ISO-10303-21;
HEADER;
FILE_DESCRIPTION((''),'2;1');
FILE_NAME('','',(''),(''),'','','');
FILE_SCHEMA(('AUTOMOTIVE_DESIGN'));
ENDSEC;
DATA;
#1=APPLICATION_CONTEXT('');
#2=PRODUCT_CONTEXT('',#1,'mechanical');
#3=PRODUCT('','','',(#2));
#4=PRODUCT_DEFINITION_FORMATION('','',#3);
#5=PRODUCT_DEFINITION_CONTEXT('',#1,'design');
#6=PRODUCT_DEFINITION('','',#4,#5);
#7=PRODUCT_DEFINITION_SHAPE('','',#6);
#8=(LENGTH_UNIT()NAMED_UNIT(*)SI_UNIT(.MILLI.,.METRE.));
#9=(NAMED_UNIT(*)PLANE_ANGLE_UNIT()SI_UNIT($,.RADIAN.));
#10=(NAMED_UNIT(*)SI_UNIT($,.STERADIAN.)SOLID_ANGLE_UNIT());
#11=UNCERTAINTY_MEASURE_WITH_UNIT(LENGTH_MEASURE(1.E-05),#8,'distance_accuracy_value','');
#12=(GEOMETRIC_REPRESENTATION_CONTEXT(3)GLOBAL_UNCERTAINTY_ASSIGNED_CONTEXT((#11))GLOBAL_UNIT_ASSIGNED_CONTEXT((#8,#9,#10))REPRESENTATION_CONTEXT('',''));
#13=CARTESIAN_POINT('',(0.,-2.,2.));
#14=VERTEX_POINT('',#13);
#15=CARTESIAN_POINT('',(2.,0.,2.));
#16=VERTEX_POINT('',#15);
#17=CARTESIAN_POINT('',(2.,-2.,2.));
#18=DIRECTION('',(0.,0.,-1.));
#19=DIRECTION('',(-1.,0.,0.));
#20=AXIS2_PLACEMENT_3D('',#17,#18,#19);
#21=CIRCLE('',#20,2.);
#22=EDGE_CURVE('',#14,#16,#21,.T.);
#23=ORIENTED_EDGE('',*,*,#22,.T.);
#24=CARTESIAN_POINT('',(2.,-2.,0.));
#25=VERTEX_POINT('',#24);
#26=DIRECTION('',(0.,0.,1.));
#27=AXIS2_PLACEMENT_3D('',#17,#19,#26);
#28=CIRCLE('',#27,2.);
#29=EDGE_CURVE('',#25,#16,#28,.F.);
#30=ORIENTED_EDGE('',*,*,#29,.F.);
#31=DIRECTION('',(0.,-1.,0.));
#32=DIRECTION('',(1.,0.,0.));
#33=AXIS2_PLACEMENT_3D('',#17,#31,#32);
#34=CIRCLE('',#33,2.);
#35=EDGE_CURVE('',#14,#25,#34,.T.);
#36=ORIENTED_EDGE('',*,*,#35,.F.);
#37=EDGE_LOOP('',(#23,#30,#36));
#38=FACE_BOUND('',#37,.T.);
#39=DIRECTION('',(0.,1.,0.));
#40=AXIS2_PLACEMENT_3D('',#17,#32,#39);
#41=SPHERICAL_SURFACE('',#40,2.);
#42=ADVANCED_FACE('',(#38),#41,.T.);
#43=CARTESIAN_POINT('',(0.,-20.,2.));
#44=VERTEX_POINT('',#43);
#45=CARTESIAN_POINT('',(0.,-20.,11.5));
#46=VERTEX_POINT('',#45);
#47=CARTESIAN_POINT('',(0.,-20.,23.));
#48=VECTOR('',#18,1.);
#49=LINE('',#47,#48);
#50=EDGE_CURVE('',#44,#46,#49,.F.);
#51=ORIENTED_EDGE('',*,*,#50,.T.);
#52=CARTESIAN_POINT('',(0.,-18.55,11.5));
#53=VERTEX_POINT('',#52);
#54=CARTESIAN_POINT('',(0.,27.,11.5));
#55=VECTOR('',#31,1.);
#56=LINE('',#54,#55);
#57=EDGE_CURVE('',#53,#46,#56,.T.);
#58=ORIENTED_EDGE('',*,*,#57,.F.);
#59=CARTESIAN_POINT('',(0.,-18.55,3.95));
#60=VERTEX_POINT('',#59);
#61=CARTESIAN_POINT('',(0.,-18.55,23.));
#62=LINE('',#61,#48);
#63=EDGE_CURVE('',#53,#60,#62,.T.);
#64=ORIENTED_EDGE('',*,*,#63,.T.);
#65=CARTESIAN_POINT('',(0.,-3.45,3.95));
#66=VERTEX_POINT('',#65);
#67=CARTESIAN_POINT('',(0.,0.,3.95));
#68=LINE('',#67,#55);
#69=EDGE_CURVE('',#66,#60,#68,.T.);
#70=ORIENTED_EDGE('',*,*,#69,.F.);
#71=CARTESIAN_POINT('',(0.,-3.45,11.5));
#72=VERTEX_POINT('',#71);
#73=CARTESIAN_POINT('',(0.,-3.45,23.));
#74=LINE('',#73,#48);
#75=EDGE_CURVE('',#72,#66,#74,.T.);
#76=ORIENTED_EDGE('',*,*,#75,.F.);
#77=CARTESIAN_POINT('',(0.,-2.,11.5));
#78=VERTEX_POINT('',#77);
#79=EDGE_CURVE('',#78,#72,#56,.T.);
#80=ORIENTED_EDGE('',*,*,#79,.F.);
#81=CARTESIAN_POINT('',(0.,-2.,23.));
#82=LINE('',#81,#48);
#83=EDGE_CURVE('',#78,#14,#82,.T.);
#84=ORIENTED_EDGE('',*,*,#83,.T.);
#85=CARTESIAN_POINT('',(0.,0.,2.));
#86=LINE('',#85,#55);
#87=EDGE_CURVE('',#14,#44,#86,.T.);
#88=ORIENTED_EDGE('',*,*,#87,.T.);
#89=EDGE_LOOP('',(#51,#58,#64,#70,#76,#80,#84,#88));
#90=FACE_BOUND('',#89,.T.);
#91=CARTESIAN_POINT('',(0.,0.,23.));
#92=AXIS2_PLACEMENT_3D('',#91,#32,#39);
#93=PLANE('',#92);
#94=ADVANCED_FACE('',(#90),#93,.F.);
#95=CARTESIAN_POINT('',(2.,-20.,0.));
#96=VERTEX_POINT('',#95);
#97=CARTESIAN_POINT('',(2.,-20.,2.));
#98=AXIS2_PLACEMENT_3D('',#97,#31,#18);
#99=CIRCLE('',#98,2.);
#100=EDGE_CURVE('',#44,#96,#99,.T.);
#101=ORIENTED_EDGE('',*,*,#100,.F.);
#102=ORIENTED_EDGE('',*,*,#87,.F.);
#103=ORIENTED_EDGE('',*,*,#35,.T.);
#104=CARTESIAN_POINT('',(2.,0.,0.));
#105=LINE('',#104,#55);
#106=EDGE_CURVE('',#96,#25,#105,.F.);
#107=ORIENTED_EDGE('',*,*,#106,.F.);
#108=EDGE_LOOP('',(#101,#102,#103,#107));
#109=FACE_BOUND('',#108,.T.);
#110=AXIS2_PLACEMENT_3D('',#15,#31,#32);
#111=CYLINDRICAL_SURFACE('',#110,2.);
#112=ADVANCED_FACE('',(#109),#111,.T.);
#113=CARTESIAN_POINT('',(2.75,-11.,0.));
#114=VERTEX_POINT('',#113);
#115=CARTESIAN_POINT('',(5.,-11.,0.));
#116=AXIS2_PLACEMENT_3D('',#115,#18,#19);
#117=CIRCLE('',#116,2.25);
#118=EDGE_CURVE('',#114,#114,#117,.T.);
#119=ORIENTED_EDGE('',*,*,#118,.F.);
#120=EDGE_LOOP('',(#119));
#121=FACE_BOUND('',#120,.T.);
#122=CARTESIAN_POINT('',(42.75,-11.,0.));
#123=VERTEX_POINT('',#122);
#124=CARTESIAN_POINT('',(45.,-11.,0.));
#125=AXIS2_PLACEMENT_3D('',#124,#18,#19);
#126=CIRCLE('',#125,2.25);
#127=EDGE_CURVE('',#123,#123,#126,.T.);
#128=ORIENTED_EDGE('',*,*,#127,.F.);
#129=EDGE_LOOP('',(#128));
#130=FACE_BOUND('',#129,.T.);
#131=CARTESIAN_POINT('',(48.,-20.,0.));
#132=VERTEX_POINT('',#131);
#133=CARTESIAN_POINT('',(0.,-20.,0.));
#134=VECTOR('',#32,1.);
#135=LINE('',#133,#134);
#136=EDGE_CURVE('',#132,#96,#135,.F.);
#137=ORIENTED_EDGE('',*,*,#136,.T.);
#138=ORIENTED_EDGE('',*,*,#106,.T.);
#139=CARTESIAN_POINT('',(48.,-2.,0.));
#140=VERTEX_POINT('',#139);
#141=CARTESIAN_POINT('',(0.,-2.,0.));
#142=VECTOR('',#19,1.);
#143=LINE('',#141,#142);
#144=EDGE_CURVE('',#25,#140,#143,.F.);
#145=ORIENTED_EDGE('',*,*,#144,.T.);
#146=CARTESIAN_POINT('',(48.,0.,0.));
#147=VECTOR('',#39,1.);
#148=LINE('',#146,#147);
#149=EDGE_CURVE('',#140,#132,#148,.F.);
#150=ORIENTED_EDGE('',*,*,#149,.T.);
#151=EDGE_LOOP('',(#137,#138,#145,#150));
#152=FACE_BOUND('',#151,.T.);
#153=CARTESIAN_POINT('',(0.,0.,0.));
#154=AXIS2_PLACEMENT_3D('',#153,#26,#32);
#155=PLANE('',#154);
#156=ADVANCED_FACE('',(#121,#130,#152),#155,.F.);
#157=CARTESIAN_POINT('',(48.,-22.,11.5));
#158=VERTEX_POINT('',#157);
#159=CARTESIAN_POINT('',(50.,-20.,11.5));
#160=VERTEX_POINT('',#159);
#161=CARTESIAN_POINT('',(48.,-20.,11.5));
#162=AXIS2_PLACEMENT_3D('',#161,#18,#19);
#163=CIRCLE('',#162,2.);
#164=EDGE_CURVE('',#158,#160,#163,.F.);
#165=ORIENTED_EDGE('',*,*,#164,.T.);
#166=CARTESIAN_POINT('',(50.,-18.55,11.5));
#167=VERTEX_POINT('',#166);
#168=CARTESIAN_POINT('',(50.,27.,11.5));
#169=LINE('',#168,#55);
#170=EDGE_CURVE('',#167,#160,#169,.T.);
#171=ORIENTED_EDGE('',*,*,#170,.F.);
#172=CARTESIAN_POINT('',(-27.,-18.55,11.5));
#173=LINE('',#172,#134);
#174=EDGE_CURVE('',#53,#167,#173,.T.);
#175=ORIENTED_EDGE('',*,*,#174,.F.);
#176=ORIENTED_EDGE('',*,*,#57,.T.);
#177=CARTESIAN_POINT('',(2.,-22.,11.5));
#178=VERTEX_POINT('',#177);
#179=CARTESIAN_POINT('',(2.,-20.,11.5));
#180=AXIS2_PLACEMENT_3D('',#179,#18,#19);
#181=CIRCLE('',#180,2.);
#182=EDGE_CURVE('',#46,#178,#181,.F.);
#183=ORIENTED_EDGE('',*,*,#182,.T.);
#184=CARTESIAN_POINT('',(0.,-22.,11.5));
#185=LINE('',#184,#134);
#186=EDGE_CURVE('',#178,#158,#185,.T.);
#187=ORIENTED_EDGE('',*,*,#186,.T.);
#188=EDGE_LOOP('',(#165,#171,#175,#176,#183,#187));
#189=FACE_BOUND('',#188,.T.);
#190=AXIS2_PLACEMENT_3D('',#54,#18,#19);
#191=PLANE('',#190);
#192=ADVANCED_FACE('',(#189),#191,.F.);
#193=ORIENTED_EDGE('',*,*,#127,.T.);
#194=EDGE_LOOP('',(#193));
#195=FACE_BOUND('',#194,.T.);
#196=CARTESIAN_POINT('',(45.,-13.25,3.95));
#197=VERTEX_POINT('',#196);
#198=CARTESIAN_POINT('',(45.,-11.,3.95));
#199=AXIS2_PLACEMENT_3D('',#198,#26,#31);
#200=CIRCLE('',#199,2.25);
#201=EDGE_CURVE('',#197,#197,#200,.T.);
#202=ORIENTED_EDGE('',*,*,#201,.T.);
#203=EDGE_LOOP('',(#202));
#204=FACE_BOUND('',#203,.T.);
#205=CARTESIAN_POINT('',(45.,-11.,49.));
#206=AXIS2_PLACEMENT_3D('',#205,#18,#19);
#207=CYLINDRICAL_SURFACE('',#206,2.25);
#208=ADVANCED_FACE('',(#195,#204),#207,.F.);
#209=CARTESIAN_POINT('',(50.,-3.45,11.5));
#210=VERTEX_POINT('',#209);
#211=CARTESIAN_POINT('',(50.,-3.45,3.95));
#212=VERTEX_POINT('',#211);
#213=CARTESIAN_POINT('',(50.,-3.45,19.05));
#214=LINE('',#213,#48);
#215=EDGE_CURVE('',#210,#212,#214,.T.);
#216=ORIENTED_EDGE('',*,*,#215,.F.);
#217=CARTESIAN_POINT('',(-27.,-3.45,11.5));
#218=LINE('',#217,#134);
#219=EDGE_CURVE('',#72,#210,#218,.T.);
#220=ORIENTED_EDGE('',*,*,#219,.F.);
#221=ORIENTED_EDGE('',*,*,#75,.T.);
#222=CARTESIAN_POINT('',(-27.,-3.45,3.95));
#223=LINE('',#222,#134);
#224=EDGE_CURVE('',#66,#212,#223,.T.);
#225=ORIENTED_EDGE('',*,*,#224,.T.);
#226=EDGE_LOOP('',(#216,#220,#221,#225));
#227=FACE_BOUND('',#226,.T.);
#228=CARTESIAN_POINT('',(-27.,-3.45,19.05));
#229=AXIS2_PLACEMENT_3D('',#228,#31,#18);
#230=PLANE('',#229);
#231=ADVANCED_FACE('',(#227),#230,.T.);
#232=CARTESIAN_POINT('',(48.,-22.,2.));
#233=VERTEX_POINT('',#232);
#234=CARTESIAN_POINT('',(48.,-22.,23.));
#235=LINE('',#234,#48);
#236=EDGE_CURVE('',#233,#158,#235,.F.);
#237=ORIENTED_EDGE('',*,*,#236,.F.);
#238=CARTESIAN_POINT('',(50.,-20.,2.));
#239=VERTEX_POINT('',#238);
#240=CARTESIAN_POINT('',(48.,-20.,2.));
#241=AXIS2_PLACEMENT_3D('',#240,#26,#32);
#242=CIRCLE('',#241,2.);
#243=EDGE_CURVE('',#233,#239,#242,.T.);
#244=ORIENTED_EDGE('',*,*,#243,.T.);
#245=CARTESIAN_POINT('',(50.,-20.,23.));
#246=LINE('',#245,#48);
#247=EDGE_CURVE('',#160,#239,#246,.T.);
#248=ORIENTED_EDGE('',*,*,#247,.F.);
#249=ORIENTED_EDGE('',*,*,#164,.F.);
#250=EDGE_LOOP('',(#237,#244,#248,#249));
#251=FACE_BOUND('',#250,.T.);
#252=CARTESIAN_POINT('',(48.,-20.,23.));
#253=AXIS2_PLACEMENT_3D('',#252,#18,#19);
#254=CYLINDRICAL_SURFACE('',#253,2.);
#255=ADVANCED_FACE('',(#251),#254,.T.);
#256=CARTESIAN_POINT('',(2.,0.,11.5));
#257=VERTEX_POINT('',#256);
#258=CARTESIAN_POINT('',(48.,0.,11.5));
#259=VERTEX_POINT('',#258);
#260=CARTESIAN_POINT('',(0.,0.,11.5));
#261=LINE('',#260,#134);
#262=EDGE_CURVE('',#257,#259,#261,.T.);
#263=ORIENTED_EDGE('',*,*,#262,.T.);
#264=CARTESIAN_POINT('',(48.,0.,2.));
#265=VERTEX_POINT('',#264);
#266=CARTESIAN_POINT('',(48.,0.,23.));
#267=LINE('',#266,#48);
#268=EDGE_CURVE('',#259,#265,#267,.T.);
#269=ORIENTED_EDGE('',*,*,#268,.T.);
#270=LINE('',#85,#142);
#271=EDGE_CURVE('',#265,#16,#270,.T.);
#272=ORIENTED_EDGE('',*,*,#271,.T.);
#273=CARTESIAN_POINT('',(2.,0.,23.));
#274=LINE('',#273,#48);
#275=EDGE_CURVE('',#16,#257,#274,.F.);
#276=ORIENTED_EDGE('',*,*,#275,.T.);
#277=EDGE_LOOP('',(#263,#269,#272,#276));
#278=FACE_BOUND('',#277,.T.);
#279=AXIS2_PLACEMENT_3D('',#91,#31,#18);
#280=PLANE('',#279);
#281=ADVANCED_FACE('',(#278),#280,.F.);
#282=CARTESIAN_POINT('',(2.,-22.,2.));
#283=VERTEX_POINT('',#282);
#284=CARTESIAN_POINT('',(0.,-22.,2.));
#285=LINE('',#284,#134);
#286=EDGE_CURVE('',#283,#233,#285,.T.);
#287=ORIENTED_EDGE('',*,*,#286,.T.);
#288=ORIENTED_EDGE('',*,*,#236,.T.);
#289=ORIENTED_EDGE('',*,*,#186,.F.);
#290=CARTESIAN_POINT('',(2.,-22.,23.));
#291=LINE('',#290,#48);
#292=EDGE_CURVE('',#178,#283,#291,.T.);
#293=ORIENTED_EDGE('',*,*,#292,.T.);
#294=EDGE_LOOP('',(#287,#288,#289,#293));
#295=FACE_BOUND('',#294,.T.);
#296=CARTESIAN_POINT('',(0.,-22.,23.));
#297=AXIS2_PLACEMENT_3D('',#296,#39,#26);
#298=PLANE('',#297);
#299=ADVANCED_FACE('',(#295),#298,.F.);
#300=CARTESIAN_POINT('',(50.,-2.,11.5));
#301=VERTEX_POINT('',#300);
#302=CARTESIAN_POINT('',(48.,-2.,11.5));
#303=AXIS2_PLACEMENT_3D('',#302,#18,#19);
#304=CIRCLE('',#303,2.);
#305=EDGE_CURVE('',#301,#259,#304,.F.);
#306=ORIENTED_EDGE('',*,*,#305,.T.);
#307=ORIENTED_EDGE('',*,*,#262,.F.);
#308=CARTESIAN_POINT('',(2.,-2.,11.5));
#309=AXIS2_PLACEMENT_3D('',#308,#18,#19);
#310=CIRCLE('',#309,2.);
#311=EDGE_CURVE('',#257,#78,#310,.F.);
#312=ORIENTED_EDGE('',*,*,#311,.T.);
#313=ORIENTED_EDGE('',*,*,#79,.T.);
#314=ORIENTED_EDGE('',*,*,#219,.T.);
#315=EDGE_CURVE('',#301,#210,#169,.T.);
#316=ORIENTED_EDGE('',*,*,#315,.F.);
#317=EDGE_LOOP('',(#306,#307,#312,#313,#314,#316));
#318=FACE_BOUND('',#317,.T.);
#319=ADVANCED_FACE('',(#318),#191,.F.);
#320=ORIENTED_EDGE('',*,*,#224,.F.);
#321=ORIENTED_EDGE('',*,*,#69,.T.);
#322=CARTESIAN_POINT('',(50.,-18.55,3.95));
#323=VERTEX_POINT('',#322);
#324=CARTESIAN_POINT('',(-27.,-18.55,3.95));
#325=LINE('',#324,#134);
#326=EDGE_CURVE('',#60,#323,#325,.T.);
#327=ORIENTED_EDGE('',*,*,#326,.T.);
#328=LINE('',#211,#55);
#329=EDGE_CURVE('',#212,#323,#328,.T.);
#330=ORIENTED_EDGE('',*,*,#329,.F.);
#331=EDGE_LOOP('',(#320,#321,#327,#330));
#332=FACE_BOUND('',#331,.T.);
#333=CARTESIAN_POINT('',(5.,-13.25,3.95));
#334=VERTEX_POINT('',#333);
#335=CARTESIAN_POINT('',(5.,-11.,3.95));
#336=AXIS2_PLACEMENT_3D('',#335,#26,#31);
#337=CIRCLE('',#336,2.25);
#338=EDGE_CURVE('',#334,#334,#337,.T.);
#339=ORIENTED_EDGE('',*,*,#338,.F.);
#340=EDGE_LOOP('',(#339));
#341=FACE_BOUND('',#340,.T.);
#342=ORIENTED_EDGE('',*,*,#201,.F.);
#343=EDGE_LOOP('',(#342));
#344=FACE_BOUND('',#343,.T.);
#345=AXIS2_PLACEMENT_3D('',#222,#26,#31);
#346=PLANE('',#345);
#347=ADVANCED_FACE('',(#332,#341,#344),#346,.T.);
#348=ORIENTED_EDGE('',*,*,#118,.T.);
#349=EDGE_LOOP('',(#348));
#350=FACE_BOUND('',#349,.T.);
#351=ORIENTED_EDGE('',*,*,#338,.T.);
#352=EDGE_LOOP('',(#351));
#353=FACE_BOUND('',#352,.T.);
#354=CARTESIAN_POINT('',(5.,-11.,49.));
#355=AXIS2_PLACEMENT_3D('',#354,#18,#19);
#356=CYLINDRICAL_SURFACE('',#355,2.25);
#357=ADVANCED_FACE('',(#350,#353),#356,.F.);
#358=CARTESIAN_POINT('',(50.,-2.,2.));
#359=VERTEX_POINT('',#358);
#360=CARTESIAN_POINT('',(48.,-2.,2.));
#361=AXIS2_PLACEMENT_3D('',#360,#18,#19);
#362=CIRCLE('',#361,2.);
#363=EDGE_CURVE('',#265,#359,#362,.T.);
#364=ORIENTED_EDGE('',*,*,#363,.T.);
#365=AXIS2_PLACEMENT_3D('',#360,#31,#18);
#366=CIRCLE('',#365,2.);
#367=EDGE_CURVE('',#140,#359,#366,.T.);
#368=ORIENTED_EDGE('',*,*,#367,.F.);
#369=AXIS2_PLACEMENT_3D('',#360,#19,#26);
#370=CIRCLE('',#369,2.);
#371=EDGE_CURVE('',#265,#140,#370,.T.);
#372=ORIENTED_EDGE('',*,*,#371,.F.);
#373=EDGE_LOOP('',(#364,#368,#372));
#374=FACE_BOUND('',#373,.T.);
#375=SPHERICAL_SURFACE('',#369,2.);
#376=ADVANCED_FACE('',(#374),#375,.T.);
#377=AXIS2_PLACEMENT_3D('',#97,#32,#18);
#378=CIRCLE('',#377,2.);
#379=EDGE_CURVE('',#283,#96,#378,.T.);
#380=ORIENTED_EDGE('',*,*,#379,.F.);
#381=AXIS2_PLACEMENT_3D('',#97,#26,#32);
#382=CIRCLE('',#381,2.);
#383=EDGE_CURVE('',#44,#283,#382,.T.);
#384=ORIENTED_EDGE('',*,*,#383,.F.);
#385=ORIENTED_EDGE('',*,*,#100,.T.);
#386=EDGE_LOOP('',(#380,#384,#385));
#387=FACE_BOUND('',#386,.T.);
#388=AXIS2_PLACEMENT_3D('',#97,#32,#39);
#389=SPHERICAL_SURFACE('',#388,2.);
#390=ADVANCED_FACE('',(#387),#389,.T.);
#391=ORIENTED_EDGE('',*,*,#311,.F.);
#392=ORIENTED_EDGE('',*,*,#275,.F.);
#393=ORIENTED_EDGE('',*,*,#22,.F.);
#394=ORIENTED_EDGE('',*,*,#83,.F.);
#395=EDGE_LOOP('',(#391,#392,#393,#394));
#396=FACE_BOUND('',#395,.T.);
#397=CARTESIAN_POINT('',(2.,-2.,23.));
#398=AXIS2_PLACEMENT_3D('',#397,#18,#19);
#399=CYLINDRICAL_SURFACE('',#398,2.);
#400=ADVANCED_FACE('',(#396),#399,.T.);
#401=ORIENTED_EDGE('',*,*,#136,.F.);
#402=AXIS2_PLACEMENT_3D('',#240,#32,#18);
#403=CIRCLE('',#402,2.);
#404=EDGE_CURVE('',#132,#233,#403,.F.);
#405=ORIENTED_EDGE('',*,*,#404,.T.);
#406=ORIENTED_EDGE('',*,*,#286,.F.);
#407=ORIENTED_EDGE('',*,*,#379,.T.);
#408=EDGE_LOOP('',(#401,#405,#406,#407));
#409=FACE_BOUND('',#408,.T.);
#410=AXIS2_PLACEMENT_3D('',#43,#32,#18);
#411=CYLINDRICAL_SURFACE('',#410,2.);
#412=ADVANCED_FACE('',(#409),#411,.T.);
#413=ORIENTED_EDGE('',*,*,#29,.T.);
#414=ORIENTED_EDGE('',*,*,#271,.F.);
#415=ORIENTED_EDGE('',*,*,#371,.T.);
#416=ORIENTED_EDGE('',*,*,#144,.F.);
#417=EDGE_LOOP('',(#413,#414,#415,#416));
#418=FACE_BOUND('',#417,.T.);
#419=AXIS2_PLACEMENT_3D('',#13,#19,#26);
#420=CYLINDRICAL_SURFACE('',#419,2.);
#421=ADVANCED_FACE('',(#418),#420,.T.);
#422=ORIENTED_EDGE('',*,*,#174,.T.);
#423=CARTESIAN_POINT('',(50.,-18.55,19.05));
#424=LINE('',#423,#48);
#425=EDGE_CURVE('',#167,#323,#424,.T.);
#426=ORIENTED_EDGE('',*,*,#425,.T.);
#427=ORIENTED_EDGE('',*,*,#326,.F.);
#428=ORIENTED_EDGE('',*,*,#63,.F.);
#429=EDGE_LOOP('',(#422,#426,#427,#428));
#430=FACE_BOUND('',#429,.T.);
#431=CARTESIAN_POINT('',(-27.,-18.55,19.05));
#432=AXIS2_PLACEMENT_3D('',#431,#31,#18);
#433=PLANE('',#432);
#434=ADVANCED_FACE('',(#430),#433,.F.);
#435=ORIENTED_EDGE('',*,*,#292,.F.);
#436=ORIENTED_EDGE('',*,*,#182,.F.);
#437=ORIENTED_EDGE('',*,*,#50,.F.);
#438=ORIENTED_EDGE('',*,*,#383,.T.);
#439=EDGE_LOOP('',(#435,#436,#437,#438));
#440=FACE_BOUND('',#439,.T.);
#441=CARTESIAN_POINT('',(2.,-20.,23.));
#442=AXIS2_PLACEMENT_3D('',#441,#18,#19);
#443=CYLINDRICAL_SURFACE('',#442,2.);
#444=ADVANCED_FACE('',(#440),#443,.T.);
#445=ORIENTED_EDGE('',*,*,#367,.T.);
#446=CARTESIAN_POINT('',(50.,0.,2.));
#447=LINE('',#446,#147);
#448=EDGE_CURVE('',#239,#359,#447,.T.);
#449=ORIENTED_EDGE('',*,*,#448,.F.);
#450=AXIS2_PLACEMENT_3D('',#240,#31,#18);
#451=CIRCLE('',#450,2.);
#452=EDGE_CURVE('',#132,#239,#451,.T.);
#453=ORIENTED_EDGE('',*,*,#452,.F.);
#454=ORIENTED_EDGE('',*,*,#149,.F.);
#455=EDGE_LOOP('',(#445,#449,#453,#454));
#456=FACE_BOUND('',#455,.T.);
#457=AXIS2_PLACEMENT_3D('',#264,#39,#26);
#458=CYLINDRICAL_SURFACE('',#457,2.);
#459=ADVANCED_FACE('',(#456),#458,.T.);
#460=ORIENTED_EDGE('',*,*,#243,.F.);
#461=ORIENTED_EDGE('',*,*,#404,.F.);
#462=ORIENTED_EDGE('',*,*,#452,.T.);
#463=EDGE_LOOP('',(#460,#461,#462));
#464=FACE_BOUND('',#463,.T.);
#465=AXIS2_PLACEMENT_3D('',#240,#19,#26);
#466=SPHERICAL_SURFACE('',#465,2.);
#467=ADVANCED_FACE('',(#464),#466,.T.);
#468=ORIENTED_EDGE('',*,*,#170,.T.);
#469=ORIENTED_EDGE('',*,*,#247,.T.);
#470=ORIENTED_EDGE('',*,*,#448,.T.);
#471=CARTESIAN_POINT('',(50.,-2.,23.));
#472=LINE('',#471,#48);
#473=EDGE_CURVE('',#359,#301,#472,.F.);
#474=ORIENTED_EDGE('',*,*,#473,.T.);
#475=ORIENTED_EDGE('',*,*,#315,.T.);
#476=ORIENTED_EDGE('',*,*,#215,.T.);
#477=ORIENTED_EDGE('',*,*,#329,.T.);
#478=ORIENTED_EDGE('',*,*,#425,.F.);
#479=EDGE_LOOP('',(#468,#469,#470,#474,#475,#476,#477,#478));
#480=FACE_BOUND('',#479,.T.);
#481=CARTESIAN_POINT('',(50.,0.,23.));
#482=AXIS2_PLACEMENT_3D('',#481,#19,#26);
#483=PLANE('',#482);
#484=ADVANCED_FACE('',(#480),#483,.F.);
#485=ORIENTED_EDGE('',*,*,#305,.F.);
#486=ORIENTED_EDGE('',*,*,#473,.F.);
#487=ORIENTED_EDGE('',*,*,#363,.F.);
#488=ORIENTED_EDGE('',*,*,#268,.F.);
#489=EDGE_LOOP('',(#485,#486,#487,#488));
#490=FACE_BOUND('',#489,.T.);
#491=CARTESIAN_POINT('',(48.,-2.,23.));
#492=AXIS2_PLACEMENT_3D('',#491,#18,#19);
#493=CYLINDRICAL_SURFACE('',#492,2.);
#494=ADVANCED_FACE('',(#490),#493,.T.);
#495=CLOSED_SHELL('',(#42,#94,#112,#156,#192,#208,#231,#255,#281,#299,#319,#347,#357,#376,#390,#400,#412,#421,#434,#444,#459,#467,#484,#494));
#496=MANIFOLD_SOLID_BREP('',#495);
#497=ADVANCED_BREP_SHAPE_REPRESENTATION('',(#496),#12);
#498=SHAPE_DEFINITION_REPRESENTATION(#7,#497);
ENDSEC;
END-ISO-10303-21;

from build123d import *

# Parameters (mm, degrees)
SKETCH_1_W          = 50
SKETCH_1_H          = 22
EXTRUDE_1_DEPTH     = 23
SKETCH_2_W          = 15.1
SKETCH_2_H          = 15.1
CUT_EXTRUDE_1_DEPTH = 77
SKETCH_3_R          = 2.25
CUT_EXTRUDE_2_DEPTH = 49
SKETCH_4_W          = 50
SKETCH_4_H          = 11.5
CUT_EXTRUDE_3_DEPTH = 49
FILLET_1_R          = 2
FILLET_2_R          = 2


with BuildPart() as part:
    # 草图1 → 凸台-拉伸1 (new body)
    with BuildSketch(Plane.XY):
        with Locations((25, -11)):
            Rectangle(SKETCH_1_W, SKETCH_1_H)
    extrude(amount=EXTRUDE_1_DEPTH)

    # 草图2 → 切除-拉伸1 (cut)
    with BuildSketch(Plane(origin=(50, 0, 0), x_dir=(0, 0, -1), z_dir=(1, 0, 0))):
        with Locations((-11.5, -11)):
            Rectangle(SKETCH_2_W, SKETCH_2_H)
    extrude(amount=-CUT_EXTRUDE_1_DEPTH, mode=Mode.SUBTRACT)

    # 草图3 → 切除-拉伸2 (cut)
    with BuildSketch(Plane(origin=(0, 0, 0), x_dir=(-1, 0, 0), z_dir=(0, 0, -1))):
        with Locations((-45, -11)):
            Circle(SKETCH_3_R)
        with Locations((-5, -11)):
            Circle(SKETCH_3_R)
    extrude(amount=-CUT_EXTRUDE_2_DEPTH, mode=Mode.SUBTRACT)

    # 草图4 → 切除-拉伸3 (cut)
    with BuildSketch(Plane.XZ.offset(22)):
        with Locations((25, 17.25)):
            Rectangle(SKETCH_4_W, SKETCH_4_H)
    extrude(amount=-CUT_EXTRUDE_3_DEPTH, mode=Mode.SUBTRACT)

    # 圆角1
    fillet_1_edges = [part.edges().sort_by_distance(p)[0] for p in [
        (25, 0, 0),
        (25, -22, 0),
    ]]
    fillet(fillet_1_edges, radius=FILLET_1_R)

    # 圆角2
    fillet_2_edges = [part.edges().sort_by_distance(p)[0] for p in [
        (0, 0, 6.75),
        (50, 0, 6.75),
        (50, -22, 6.75),
        (0, -22, 6.75),
        (0, -11, 0),
        (0, -21.414213562, 0.585786438),
        (0, -0.585786438, 0.585786438),
        (50, -11, 0),
        (50, -21.414213562, 0.585786438),
        (50, -0.585786438, 0.585786438),
    ]]
    fillet(fillet_2_edges, radius=FILLET_2_R)


solid = part.part
